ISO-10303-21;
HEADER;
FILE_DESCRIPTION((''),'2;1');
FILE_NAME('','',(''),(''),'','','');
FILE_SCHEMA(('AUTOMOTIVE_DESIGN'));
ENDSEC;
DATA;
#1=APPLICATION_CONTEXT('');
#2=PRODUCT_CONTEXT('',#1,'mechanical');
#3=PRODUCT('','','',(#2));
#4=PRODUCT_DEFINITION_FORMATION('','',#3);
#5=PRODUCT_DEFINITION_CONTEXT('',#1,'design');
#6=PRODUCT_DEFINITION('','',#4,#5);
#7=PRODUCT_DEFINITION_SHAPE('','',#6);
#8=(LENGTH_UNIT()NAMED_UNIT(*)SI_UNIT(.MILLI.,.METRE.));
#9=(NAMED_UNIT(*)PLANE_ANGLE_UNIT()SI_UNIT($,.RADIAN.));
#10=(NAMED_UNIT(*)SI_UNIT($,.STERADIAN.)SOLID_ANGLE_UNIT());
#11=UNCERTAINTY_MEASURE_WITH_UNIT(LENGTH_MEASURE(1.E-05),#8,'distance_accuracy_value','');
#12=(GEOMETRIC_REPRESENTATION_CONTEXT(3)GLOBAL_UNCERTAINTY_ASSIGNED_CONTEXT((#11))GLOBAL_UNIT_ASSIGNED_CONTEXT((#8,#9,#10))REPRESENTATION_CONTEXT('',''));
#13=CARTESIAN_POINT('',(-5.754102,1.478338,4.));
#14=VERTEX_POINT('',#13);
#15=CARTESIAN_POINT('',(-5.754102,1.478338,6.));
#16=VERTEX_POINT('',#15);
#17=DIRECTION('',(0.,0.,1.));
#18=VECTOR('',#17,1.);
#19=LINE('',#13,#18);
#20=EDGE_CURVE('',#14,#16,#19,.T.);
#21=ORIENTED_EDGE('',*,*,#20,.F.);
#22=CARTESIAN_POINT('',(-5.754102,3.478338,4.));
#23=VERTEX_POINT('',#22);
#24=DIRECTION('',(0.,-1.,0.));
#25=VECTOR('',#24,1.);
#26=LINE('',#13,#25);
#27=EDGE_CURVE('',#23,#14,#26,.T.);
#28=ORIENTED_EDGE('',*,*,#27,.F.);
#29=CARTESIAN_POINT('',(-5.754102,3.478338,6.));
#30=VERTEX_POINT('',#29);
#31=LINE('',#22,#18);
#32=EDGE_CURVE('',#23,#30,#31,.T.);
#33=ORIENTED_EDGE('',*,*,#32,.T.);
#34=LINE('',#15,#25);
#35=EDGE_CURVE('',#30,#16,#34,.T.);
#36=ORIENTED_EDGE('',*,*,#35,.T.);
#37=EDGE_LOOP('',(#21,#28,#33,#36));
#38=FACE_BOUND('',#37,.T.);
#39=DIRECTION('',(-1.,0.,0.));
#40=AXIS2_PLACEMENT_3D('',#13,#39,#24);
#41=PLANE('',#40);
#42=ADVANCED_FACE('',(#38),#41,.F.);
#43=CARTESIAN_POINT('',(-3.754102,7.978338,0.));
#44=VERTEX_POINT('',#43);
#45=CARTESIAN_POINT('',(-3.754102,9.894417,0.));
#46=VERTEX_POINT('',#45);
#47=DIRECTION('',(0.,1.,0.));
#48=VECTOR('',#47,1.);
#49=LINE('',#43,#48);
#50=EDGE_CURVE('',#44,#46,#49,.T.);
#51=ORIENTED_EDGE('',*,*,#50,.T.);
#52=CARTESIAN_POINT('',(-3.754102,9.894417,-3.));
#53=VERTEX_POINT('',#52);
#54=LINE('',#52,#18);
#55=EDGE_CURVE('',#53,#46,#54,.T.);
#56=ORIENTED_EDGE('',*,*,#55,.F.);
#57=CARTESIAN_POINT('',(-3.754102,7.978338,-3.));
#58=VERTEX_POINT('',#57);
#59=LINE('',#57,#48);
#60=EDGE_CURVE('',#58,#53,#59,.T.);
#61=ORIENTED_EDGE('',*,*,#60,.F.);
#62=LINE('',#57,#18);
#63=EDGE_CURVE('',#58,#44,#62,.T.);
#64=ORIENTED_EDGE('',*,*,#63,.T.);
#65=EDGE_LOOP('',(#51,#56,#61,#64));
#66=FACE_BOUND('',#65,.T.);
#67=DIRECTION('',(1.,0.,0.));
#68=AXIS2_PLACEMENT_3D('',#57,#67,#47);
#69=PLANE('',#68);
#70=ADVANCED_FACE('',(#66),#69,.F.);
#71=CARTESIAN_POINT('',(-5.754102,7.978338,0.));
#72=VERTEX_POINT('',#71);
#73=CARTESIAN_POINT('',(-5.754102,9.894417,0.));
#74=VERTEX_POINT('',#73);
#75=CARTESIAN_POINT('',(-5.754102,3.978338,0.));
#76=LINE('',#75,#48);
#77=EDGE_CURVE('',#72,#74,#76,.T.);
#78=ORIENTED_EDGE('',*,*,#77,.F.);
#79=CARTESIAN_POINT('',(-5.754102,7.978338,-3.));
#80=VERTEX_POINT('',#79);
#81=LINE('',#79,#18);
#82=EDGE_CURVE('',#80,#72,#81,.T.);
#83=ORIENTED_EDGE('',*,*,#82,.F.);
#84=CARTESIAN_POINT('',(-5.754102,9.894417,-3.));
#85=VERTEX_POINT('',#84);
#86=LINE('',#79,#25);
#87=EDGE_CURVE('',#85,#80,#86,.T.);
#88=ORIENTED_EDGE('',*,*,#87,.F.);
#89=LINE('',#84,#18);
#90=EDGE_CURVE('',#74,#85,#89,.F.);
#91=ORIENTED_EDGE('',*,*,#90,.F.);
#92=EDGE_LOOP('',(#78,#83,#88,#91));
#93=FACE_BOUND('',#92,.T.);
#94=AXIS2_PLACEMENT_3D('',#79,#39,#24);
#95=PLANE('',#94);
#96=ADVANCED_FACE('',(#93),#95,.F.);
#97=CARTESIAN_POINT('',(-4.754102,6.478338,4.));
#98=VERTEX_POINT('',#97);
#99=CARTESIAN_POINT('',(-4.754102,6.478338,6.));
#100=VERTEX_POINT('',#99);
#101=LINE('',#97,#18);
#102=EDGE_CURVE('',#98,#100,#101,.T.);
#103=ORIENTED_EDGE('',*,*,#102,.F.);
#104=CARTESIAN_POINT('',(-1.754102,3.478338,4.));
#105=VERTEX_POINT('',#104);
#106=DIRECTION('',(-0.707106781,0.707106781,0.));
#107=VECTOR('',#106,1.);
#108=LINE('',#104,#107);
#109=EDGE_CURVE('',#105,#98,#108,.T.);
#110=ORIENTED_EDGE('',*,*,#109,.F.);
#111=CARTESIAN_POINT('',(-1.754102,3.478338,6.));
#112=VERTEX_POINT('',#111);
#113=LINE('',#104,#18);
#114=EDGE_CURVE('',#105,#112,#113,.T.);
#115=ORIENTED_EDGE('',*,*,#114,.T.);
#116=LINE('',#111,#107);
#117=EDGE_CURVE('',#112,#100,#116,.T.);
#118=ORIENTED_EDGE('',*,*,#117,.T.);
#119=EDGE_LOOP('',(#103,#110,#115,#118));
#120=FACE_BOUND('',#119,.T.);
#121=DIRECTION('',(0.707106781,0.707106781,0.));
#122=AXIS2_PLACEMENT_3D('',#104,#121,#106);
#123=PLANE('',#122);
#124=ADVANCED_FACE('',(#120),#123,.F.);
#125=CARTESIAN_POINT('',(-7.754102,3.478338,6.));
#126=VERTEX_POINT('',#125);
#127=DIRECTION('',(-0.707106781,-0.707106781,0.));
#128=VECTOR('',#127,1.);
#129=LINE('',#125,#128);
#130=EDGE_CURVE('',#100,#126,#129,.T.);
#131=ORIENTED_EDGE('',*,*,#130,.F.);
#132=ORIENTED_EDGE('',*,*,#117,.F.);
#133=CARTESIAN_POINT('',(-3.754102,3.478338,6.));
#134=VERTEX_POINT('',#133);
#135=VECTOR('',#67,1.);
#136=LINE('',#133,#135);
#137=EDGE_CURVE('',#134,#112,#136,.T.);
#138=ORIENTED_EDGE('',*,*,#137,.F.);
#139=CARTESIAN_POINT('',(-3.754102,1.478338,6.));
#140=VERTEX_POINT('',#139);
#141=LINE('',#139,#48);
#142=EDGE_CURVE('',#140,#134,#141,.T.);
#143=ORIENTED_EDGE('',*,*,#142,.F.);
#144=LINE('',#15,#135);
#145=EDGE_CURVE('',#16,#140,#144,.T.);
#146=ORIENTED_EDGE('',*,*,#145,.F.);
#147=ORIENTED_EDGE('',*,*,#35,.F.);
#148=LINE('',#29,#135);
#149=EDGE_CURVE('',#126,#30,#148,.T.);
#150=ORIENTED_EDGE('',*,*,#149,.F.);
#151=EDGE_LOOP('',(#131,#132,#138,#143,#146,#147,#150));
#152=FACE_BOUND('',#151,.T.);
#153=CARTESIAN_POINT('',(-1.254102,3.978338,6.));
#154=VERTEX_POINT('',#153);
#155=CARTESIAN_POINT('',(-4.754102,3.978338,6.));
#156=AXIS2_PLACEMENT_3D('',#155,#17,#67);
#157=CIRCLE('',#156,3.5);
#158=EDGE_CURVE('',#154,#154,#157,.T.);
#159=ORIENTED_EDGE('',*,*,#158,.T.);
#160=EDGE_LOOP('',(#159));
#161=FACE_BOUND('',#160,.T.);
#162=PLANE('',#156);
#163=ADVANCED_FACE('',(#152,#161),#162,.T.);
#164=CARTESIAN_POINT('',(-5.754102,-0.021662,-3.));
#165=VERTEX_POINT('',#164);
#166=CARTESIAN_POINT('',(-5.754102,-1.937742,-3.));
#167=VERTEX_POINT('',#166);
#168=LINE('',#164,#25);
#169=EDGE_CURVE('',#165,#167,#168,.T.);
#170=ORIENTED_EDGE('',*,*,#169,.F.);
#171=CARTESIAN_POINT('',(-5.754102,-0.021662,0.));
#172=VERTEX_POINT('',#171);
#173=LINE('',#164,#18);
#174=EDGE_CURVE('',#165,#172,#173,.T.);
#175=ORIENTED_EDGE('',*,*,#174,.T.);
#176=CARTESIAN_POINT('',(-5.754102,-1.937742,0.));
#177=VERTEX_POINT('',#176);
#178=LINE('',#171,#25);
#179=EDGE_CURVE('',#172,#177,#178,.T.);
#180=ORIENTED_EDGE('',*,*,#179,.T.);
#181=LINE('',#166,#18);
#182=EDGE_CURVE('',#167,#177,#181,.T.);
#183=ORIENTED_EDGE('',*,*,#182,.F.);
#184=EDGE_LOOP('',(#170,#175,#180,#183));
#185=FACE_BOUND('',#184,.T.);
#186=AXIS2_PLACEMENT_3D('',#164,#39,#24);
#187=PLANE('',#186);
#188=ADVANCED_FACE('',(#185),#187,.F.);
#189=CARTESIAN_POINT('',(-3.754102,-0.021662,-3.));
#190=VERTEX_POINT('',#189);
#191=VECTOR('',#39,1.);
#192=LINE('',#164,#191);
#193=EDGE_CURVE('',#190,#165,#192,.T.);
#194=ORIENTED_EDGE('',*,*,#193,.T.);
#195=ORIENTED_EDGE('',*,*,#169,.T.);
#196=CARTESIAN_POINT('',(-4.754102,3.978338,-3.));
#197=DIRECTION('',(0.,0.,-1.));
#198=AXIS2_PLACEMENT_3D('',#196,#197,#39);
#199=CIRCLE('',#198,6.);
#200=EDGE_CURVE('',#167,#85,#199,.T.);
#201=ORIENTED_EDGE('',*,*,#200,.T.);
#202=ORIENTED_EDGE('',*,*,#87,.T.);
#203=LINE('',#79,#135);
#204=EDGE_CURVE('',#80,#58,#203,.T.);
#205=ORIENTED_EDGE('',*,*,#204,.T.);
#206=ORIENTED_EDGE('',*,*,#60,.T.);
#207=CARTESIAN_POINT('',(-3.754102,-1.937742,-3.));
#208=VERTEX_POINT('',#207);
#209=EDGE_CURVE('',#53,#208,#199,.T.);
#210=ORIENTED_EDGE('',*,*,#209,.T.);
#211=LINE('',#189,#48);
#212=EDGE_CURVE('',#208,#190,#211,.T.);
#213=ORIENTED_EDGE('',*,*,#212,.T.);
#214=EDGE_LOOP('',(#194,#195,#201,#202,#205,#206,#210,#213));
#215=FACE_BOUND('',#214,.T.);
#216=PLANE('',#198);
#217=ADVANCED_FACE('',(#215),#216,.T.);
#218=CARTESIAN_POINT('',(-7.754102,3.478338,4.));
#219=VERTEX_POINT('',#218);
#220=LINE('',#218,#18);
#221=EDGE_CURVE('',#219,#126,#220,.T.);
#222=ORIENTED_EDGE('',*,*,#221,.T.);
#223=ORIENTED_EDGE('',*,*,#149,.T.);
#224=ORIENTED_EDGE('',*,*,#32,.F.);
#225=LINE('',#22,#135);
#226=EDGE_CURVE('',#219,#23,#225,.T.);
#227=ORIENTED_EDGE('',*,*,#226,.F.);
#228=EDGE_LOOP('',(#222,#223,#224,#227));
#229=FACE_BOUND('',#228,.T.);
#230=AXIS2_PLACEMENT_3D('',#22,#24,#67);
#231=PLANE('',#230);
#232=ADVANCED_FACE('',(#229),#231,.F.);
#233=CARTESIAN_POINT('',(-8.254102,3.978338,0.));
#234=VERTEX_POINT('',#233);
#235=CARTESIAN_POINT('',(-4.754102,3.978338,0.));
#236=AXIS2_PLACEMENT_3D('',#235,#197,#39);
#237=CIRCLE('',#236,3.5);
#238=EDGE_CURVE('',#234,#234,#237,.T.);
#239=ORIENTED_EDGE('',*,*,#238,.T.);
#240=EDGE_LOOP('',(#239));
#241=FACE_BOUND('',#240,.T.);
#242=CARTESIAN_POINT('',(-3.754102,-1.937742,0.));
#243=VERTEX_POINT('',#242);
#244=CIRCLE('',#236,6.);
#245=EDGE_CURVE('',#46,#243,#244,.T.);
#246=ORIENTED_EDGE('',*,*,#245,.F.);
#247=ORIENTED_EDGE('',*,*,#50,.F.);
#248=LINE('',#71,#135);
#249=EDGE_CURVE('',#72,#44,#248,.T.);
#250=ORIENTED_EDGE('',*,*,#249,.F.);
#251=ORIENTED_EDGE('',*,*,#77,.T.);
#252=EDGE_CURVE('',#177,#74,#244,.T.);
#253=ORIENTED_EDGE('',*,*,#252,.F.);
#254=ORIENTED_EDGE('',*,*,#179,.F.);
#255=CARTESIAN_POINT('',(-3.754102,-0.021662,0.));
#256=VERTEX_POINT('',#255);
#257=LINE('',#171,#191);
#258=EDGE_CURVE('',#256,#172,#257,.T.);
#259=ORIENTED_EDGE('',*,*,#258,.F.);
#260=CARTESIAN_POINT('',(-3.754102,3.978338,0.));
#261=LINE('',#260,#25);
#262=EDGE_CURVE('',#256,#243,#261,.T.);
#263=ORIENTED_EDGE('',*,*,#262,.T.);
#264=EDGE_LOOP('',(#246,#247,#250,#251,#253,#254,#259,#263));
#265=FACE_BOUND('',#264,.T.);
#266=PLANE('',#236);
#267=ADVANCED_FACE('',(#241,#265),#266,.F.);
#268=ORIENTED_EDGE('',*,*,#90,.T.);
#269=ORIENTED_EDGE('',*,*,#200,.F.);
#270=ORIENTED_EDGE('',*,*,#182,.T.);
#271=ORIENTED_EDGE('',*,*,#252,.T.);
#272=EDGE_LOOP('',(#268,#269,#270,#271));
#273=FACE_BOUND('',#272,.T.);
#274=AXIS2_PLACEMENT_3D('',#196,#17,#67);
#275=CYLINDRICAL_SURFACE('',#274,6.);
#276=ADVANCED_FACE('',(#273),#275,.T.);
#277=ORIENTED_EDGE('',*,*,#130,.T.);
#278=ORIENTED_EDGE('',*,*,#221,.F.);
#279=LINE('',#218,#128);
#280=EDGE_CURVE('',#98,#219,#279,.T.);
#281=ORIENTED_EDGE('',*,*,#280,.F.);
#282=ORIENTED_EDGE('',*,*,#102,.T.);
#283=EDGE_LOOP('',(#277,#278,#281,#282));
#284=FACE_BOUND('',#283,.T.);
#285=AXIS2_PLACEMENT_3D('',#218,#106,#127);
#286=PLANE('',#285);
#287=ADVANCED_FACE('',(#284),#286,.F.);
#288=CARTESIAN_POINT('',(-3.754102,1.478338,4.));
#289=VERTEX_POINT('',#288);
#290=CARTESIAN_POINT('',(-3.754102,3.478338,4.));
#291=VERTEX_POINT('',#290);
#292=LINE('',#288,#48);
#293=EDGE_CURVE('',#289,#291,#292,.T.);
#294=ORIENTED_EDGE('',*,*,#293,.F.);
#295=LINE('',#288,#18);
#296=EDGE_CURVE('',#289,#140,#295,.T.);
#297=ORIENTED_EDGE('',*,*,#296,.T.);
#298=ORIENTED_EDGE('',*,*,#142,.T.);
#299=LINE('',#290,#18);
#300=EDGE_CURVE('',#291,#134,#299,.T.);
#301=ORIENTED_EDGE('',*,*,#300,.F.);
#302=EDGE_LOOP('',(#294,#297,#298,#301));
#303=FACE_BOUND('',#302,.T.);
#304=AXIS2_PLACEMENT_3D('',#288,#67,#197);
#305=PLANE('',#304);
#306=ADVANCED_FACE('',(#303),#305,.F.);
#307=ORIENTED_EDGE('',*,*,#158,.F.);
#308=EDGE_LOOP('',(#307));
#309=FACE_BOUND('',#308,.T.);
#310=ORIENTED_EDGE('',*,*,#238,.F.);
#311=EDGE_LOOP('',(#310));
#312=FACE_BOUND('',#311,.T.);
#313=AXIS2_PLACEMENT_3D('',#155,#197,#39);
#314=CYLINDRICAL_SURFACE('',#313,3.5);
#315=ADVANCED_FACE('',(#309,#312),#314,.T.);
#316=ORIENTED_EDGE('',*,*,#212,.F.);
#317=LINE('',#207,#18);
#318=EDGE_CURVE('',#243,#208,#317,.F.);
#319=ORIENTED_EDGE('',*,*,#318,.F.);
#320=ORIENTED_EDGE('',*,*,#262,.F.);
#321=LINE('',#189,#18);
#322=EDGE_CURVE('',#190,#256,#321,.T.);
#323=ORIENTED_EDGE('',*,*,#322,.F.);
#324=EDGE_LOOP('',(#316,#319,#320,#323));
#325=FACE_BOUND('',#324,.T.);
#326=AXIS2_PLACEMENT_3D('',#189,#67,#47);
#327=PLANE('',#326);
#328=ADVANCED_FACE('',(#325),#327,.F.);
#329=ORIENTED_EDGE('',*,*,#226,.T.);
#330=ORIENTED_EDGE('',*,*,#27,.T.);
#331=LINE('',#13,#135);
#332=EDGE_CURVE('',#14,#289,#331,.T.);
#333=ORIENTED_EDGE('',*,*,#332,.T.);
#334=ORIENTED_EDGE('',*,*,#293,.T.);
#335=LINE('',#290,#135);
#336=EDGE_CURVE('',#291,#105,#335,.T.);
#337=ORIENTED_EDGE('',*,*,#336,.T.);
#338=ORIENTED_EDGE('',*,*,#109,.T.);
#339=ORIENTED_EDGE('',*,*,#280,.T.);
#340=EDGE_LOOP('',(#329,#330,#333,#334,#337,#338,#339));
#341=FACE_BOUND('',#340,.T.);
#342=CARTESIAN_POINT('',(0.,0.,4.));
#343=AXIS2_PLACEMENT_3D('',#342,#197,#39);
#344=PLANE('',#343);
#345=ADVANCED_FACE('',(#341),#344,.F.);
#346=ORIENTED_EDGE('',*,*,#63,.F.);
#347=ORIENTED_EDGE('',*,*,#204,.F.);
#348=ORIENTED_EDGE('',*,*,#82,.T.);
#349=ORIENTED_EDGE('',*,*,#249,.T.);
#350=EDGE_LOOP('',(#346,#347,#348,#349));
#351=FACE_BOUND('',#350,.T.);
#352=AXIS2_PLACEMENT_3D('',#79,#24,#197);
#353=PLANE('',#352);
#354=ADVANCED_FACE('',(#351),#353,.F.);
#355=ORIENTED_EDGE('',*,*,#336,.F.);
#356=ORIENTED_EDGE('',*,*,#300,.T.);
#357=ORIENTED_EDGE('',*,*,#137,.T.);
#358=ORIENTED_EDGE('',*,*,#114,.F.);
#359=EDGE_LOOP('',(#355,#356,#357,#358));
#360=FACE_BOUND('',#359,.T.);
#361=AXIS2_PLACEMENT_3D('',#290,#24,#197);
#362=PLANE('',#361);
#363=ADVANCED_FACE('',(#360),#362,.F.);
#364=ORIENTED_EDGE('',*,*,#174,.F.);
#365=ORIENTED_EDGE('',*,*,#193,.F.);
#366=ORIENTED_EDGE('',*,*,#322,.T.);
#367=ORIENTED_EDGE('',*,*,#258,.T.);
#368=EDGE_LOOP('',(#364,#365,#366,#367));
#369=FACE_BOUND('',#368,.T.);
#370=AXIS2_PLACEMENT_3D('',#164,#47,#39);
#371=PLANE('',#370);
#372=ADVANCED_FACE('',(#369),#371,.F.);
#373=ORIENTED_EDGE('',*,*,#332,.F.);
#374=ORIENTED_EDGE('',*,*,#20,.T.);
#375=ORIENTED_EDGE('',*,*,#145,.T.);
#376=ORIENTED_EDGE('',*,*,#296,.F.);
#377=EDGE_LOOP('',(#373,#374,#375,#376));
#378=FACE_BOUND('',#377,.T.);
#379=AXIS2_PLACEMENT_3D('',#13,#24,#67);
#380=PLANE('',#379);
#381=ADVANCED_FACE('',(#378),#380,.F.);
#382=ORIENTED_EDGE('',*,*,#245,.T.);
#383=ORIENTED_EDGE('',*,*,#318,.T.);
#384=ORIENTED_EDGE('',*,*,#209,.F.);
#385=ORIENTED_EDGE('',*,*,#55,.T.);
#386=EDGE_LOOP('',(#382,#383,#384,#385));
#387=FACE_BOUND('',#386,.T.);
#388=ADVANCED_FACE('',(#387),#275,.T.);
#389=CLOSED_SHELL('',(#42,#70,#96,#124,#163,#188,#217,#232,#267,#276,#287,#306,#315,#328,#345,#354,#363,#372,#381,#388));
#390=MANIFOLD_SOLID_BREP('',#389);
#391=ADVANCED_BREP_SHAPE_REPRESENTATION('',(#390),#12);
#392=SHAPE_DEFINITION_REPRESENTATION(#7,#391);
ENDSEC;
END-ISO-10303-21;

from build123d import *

# Parameters (mm, degrees)
CROQUIS1_R              = 3.5
SALIENTE_EXTRUIR1_DEPTH = 6
CROQUIS2_R              = 6
SALIENTE_EXTRUIR2_DEPTH = 3
CORTAR_EXTRUIR1_DEPTH   = 2
CROQUIS4_W              = 2
CROQUIS4_H              = 2
CORTAR_EXTRUIR2_DEPTH   = 4


with BuildPart() as part:
    # Croquis1 → Saliente-Extruir1 (new body)
    with BuildSketch(Plane.XY):
        with Locations((-4.754102012, 3.97833761)):
            Circle(CROQUIS1_R)
    extrude(amount=SALIENTE_EXTRUIR1_DEPTH)

    # Croquis2 → Saliente-Extruir2 (add)
    with BuildSketch(Plane(origin=(0, 0, 0), x_dir=(-1, 0, 0), z_dir=(0, 0, -1))):
        with Locations((4.754102012, 3.97833761)):
            Circle(CROQUIS2_R)
    extrude(amount=SALIENTE_EXTRUIR2_DEPTH)

    # Croquis3 → Cortar-Extruir1 (cut)
    with BuildSketch(Plane.XY.offset(6)):
        Polygon((-5.754102012, 1.47833761), (-3.754102012, 1.47833761), (-3.754102012, 3.47833761), (-1.754102012, 3.47833761), (-4.754102012, 6.47833761), (-7.754102012, 3.47833761), (-5.754102012, 3.47833761), align=None)
    extrude(amount=-CORTAR_EXTRUIR1_DEPTH, mode=Mode.SUBTRACT)

    # Croquis4 → Cortar-Extruir2 (cut, through all)
    with BuildSketch(Plane.XY):
        with Locations((-4.754102012, 8.97833761)):
            Rectangle(CROQUIS4_W, CROQUIS4_H)
        Polygon((-5.754102012, -0.02166239), (-3.754102012, -0.02166239), (-3.754102012, -2.02166239), (-4.754102012, -2.02166239), (-5.754102012, -2.02166239), align=None)
    extrude(amount=-CORTAR_EXTRUIR2_DEPTH, mode=Mode.SUBTRACT)


solid = part.part
